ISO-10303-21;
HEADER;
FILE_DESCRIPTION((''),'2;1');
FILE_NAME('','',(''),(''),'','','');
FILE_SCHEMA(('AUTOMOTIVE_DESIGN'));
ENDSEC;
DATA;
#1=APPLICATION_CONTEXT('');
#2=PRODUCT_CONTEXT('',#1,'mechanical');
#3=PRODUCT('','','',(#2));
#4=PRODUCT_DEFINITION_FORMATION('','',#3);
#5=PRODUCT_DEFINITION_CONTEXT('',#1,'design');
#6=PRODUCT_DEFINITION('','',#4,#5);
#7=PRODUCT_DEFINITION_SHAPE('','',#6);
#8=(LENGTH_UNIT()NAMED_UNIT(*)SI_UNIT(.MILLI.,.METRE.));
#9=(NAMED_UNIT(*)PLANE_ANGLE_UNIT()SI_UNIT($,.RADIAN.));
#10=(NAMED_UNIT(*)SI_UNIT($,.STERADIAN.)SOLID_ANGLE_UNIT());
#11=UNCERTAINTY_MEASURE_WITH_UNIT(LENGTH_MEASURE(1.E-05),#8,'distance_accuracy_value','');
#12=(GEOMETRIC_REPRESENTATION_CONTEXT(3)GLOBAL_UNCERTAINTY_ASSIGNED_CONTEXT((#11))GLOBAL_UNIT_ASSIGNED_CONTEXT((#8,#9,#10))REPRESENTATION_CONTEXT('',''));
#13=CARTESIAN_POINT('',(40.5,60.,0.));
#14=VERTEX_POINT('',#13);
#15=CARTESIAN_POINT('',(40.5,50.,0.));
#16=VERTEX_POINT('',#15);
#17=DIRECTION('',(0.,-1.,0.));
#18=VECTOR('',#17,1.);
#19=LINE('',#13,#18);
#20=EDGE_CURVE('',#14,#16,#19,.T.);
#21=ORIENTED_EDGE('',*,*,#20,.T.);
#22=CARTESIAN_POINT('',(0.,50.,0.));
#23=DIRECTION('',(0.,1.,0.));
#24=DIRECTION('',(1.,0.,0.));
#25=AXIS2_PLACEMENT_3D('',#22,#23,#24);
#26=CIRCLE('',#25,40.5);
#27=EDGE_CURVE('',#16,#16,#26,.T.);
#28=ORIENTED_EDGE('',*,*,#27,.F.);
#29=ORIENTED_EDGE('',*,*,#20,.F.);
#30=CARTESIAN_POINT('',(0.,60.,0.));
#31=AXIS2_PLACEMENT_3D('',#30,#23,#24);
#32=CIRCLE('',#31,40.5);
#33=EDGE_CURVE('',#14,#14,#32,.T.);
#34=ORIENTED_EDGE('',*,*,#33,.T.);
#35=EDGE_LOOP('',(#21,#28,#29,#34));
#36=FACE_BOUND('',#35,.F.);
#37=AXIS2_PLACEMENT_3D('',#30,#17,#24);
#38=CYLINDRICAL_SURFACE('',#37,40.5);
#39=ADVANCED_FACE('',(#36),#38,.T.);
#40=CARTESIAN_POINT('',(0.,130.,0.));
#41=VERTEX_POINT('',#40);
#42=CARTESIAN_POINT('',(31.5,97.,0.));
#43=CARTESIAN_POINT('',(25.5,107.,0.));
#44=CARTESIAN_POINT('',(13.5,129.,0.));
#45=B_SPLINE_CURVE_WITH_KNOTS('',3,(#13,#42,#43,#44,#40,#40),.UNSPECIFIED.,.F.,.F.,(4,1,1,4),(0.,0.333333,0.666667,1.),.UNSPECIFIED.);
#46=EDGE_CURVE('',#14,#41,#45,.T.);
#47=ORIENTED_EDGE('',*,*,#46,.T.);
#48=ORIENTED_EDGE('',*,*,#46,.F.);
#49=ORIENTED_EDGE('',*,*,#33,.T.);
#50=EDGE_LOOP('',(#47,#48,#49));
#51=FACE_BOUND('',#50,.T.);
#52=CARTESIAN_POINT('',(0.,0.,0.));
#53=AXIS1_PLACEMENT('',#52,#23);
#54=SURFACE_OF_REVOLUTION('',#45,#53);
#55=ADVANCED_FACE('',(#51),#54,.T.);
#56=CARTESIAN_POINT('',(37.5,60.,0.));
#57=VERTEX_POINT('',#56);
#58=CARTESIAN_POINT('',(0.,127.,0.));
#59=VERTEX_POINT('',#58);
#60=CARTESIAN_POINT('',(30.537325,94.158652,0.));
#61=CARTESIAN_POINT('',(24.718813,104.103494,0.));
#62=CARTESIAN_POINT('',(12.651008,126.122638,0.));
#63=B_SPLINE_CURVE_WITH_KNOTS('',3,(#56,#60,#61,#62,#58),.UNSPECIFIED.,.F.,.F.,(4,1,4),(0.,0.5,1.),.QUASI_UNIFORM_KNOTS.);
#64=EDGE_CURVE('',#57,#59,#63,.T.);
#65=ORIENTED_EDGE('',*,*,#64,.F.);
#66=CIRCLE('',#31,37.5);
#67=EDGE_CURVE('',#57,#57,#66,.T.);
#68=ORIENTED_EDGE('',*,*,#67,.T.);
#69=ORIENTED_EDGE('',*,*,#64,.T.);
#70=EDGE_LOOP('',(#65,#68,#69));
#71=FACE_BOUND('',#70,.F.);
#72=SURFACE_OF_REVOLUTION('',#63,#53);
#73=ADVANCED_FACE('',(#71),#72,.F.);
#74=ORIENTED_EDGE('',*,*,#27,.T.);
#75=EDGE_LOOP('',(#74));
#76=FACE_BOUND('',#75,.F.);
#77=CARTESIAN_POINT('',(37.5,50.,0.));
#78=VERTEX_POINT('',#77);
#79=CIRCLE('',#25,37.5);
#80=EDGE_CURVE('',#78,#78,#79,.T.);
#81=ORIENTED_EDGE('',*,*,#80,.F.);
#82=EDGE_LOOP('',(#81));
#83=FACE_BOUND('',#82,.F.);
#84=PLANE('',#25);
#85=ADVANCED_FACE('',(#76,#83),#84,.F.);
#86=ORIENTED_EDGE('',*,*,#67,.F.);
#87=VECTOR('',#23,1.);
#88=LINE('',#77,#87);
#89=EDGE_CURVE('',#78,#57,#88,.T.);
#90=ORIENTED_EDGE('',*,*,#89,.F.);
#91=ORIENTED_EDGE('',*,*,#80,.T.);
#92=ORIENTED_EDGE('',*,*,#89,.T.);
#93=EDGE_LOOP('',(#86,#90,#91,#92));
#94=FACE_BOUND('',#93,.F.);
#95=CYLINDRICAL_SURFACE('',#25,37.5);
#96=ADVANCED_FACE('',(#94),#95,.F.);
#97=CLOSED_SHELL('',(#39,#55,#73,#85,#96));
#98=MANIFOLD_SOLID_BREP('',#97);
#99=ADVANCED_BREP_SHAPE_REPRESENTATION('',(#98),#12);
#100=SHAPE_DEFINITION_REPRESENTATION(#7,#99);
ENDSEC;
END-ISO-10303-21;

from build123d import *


with BuildPart() as part:
    # Sketch → Revolution (revolve)
    with BuildSketch(Plane.XY):
        with BuildLine():
            Line((37.5, 50), (37.5, 60))
            add(Edge.make_bspline(
                [(37.5, 60), (30.537325, 94.158652), (24.718813, 104.103494), (12.651008, 126.122638), (0, 127)],
                knots=[0, 0, 0, 0, 0.5, 1, 1, 1, 1], degree=3))
            Line((0, 127), (0, 130))
            add(Edge.make_bspline(
                [(40.5, 60), (31.5, 97), (25.5, 107), (13.5, 129), (0, 130), (0, 130)],
                knots=[0, 0, 0, 0, 0.333333, 0.666667, 1, 1, 1, 1], degree=3))
            Line((40.5, 60), (40.5, 50))
            Line((40.5, 50), (37.5, 50))
        make_face()
    revolve(axis=Axis((0, 0, 0), (0, 1, 0)))


solid = part.part
